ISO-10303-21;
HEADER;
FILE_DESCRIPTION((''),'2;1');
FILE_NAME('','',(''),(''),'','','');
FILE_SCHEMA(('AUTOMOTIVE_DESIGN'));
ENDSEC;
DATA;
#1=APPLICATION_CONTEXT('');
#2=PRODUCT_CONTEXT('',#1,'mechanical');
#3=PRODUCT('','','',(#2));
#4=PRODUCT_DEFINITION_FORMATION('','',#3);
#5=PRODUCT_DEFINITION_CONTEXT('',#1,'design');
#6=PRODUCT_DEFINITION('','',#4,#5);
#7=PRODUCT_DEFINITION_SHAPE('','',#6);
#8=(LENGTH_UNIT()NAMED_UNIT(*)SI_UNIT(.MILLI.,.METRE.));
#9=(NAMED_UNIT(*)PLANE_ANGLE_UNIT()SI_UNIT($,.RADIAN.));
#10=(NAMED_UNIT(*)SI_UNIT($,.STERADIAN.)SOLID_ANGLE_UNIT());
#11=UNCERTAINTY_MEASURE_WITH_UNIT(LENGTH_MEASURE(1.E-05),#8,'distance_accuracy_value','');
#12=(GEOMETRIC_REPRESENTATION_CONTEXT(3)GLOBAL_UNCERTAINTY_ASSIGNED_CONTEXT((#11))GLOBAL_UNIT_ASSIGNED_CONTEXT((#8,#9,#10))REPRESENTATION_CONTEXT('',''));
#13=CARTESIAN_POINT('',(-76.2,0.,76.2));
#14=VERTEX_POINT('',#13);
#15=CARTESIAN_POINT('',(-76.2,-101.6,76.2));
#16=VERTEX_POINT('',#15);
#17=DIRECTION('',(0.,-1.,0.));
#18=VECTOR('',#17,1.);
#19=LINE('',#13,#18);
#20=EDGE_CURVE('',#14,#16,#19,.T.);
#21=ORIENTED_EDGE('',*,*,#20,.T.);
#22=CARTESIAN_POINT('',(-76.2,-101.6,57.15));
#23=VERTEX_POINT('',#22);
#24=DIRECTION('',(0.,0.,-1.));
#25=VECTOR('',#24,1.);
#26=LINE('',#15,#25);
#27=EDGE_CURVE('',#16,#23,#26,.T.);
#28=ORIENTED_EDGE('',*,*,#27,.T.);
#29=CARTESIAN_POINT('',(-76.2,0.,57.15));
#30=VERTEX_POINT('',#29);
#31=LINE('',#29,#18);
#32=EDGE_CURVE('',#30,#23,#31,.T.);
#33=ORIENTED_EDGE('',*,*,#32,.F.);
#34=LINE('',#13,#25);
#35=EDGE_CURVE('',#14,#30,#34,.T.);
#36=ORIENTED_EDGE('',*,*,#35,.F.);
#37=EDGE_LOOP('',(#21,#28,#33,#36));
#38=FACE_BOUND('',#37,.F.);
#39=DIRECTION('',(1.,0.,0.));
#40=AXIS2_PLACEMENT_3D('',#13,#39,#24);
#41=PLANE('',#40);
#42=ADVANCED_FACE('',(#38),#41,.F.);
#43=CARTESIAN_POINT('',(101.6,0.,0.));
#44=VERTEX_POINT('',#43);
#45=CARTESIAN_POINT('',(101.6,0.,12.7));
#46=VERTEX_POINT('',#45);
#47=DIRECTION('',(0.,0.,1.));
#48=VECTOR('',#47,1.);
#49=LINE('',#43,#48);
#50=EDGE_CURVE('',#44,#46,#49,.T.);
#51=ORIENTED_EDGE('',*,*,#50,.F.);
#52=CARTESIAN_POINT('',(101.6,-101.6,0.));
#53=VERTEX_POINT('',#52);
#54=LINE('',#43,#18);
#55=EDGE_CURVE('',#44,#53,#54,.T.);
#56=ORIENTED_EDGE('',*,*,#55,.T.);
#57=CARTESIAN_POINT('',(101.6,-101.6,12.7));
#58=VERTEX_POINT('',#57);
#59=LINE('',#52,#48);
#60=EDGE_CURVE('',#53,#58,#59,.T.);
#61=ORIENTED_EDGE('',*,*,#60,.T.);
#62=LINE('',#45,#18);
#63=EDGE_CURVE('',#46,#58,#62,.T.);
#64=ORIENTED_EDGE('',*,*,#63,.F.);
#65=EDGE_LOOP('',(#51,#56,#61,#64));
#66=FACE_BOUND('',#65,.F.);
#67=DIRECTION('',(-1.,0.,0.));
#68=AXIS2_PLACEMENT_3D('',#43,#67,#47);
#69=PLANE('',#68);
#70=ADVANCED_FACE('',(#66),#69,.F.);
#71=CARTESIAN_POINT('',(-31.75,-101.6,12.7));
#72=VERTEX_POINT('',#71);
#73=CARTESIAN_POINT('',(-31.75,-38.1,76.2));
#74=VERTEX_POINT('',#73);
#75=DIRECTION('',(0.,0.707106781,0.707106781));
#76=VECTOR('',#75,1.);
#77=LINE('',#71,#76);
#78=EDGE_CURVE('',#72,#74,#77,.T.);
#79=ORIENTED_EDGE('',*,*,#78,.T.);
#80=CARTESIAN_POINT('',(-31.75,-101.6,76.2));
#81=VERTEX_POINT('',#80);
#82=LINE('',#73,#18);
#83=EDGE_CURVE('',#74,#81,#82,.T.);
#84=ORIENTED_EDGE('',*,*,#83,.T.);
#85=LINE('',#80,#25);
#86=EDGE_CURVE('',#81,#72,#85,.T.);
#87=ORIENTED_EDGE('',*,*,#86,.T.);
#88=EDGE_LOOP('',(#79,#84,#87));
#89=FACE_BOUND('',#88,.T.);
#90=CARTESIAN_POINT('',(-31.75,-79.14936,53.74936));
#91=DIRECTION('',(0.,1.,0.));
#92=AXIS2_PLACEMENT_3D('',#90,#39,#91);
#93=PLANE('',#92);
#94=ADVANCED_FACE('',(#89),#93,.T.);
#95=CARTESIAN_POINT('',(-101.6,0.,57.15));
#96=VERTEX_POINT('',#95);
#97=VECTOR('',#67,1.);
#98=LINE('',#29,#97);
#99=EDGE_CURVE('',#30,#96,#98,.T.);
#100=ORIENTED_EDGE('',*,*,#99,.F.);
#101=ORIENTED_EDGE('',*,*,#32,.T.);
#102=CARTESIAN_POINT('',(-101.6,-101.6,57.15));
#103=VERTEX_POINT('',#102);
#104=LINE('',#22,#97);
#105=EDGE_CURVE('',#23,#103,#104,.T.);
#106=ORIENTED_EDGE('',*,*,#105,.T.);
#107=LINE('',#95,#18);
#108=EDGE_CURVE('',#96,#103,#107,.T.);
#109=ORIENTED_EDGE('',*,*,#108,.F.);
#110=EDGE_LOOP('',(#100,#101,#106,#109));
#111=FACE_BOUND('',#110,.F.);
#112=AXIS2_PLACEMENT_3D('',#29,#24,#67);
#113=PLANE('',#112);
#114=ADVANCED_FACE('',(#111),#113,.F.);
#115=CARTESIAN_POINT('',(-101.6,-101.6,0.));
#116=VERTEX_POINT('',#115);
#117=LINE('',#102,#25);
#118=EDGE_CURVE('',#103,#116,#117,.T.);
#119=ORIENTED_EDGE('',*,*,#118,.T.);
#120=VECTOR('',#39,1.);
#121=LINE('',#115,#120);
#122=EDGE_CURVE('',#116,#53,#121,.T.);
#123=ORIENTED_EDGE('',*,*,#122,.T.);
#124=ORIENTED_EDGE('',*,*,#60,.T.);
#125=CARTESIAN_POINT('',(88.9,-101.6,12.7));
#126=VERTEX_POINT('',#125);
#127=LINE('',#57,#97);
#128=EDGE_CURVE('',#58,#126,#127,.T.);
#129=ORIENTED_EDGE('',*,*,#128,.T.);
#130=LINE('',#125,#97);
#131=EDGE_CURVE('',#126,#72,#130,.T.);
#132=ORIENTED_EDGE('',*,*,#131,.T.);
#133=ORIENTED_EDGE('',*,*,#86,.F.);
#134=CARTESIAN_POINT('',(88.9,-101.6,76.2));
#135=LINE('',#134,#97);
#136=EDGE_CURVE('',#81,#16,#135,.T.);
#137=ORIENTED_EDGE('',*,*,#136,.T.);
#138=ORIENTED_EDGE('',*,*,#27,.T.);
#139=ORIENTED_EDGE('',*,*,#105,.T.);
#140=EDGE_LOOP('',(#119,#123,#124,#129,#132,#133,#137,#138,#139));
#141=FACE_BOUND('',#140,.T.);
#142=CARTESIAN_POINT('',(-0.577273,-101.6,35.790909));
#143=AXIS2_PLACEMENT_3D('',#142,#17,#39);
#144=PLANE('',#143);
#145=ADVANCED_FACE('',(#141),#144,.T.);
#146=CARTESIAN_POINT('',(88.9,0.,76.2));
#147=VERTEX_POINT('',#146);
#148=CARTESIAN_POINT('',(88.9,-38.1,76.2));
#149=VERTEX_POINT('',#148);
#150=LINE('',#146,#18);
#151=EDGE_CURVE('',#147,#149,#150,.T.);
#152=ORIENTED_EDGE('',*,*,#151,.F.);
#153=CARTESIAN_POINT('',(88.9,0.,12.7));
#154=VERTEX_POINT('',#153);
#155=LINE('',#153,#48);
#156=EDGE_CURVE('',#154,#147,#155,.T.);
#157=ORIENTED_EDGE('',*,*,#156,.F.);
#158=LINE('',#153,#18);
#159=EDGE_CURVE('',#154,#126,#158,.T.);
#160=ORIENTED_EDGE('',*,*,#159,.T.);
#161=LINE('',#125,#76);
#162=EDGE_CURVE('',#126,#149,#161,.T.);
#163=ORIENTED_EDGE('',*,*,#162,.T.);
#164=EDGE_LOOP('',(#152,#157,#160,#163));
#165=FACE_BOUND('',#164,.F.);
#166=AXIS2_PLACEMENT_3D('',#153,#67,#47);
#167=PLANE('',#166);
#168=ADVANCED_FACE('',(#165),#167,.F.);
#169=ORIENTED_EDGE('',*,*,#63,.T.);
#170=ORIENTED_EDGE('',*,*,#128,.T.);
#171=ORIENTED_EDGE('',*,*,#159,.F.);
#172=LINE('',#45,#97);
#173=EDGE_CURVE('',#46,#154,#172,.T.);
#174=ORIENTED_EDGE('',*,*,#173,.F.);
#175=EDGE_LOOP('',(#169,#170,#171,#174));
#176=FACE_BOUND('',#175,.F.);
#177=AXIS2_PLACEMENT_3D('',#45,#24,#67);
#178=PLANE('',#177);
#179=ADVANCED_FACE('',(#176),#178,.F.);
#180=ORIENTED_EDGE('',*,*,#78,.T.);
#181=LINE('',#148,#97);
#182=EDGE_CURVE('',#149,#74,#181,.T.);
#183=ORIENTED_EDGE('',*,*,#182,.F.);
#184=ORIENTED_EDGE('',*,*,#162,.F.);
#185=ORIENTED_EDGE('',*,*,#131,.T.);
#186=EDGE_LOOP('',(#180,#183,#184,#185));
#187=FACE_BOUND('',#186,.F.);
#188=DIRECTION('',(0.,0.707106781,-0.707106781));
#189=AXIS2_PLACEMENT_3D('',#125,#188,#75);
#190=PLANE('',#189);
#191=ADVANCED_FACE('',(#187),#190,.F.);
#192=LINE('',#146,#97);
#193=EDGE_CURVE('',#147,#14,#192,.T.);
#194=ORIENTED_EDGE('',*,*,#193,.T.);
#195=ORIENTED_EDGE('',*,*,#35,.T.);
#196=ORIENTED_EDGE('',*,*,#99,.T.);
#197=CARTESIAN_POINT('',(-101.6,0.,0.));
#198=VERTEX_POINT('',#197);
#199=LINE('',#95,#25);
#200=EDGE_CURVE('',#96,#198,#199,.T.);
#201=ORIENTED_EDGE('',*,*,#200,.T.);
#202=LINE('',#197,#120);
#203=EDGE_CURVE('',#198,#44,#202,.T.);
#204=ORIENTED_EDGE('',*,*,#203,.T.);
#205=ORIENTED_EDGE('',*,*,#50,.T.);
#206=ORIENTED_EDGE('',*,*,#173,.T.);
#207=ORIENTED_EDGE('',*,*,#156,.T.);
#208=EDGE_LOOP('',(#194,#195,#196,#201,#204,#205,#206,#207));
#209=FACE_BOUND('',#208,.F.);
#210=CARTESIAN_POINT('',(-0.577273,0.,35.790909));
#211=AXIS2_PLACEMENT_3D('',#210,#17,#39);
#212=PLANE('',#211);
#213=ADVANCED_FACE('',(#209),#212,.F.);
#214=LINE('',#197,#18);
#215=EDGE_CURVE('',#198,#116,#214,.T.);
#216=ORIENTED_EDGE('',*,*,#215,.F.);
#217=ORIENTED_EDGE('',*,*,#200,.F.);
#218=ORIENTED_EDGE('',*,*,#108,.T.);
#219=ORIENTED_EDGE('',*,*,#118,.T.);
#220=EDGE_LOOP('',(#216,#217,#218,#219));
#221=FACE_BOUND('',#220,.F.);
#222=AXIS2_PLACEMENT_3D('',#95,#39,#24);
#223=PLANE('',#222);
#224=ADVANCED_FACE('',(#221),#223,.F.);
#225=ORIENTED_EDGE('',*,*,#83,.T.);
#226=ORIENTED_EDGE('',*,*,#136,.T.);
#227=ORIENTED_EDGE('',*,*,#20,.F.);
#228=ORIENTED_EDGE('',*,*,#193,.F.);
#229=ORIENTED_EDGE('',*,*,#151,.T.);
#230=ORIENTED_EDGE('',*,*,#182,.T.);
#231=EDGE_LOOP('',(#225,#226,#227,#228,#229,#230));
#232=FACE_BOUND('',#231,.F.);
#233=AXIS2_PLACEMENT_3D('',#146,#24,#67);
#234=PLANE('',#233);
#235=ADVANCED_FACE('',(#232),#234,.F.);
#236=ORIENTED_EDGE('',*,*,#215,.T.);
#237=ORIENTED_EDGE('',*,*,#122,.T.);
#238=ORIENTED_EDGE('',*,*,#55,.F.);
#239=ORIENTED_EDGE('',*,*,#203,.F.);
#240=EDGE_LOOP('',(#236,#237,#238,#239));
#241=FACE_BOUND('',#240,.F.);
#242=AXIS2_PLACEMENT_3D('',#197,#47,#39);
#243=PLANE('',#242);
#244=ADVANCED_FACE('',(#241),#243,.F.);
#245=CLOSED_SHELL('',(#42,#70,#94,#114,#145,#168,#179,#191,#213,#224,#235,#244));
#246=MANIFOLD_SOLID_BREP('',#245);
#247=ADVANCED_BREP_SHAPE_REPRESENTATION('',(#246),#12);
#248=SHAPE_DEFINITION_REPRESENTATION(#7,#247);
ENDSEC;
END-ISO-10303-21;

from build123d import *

# Parameters (mm, degrees)
F1_DEPTH = 101.6
F3_DEPTH = 120.65


with BuildPart() as f1:
    # F0 (on Front) → F1 (new body)
    with BuildSketch(Plane.XZ):
        Polygon((-101.6, 0), (0, 0), (101.6, 0), (101.6, 12.7), (88.9, 12.7), (88.9, 76.2), (-76.2, 76.2), (-76.2, 57.15), (-101.6, 57.15), align=None)
    extrude(amount=F1_DEPTH)

    # F2 (on face) → F3 (cut)
    with BuildSketch(Plane.YZ.offset(88.9)):
        Polygon((-101.6, 76.2), (-101.6, 12.7), (-38.1, 76.2), align=None)
    extrude(amount=-F3_DEPTH, mode=Mode.SUBTRACT)


solid = f1.part
